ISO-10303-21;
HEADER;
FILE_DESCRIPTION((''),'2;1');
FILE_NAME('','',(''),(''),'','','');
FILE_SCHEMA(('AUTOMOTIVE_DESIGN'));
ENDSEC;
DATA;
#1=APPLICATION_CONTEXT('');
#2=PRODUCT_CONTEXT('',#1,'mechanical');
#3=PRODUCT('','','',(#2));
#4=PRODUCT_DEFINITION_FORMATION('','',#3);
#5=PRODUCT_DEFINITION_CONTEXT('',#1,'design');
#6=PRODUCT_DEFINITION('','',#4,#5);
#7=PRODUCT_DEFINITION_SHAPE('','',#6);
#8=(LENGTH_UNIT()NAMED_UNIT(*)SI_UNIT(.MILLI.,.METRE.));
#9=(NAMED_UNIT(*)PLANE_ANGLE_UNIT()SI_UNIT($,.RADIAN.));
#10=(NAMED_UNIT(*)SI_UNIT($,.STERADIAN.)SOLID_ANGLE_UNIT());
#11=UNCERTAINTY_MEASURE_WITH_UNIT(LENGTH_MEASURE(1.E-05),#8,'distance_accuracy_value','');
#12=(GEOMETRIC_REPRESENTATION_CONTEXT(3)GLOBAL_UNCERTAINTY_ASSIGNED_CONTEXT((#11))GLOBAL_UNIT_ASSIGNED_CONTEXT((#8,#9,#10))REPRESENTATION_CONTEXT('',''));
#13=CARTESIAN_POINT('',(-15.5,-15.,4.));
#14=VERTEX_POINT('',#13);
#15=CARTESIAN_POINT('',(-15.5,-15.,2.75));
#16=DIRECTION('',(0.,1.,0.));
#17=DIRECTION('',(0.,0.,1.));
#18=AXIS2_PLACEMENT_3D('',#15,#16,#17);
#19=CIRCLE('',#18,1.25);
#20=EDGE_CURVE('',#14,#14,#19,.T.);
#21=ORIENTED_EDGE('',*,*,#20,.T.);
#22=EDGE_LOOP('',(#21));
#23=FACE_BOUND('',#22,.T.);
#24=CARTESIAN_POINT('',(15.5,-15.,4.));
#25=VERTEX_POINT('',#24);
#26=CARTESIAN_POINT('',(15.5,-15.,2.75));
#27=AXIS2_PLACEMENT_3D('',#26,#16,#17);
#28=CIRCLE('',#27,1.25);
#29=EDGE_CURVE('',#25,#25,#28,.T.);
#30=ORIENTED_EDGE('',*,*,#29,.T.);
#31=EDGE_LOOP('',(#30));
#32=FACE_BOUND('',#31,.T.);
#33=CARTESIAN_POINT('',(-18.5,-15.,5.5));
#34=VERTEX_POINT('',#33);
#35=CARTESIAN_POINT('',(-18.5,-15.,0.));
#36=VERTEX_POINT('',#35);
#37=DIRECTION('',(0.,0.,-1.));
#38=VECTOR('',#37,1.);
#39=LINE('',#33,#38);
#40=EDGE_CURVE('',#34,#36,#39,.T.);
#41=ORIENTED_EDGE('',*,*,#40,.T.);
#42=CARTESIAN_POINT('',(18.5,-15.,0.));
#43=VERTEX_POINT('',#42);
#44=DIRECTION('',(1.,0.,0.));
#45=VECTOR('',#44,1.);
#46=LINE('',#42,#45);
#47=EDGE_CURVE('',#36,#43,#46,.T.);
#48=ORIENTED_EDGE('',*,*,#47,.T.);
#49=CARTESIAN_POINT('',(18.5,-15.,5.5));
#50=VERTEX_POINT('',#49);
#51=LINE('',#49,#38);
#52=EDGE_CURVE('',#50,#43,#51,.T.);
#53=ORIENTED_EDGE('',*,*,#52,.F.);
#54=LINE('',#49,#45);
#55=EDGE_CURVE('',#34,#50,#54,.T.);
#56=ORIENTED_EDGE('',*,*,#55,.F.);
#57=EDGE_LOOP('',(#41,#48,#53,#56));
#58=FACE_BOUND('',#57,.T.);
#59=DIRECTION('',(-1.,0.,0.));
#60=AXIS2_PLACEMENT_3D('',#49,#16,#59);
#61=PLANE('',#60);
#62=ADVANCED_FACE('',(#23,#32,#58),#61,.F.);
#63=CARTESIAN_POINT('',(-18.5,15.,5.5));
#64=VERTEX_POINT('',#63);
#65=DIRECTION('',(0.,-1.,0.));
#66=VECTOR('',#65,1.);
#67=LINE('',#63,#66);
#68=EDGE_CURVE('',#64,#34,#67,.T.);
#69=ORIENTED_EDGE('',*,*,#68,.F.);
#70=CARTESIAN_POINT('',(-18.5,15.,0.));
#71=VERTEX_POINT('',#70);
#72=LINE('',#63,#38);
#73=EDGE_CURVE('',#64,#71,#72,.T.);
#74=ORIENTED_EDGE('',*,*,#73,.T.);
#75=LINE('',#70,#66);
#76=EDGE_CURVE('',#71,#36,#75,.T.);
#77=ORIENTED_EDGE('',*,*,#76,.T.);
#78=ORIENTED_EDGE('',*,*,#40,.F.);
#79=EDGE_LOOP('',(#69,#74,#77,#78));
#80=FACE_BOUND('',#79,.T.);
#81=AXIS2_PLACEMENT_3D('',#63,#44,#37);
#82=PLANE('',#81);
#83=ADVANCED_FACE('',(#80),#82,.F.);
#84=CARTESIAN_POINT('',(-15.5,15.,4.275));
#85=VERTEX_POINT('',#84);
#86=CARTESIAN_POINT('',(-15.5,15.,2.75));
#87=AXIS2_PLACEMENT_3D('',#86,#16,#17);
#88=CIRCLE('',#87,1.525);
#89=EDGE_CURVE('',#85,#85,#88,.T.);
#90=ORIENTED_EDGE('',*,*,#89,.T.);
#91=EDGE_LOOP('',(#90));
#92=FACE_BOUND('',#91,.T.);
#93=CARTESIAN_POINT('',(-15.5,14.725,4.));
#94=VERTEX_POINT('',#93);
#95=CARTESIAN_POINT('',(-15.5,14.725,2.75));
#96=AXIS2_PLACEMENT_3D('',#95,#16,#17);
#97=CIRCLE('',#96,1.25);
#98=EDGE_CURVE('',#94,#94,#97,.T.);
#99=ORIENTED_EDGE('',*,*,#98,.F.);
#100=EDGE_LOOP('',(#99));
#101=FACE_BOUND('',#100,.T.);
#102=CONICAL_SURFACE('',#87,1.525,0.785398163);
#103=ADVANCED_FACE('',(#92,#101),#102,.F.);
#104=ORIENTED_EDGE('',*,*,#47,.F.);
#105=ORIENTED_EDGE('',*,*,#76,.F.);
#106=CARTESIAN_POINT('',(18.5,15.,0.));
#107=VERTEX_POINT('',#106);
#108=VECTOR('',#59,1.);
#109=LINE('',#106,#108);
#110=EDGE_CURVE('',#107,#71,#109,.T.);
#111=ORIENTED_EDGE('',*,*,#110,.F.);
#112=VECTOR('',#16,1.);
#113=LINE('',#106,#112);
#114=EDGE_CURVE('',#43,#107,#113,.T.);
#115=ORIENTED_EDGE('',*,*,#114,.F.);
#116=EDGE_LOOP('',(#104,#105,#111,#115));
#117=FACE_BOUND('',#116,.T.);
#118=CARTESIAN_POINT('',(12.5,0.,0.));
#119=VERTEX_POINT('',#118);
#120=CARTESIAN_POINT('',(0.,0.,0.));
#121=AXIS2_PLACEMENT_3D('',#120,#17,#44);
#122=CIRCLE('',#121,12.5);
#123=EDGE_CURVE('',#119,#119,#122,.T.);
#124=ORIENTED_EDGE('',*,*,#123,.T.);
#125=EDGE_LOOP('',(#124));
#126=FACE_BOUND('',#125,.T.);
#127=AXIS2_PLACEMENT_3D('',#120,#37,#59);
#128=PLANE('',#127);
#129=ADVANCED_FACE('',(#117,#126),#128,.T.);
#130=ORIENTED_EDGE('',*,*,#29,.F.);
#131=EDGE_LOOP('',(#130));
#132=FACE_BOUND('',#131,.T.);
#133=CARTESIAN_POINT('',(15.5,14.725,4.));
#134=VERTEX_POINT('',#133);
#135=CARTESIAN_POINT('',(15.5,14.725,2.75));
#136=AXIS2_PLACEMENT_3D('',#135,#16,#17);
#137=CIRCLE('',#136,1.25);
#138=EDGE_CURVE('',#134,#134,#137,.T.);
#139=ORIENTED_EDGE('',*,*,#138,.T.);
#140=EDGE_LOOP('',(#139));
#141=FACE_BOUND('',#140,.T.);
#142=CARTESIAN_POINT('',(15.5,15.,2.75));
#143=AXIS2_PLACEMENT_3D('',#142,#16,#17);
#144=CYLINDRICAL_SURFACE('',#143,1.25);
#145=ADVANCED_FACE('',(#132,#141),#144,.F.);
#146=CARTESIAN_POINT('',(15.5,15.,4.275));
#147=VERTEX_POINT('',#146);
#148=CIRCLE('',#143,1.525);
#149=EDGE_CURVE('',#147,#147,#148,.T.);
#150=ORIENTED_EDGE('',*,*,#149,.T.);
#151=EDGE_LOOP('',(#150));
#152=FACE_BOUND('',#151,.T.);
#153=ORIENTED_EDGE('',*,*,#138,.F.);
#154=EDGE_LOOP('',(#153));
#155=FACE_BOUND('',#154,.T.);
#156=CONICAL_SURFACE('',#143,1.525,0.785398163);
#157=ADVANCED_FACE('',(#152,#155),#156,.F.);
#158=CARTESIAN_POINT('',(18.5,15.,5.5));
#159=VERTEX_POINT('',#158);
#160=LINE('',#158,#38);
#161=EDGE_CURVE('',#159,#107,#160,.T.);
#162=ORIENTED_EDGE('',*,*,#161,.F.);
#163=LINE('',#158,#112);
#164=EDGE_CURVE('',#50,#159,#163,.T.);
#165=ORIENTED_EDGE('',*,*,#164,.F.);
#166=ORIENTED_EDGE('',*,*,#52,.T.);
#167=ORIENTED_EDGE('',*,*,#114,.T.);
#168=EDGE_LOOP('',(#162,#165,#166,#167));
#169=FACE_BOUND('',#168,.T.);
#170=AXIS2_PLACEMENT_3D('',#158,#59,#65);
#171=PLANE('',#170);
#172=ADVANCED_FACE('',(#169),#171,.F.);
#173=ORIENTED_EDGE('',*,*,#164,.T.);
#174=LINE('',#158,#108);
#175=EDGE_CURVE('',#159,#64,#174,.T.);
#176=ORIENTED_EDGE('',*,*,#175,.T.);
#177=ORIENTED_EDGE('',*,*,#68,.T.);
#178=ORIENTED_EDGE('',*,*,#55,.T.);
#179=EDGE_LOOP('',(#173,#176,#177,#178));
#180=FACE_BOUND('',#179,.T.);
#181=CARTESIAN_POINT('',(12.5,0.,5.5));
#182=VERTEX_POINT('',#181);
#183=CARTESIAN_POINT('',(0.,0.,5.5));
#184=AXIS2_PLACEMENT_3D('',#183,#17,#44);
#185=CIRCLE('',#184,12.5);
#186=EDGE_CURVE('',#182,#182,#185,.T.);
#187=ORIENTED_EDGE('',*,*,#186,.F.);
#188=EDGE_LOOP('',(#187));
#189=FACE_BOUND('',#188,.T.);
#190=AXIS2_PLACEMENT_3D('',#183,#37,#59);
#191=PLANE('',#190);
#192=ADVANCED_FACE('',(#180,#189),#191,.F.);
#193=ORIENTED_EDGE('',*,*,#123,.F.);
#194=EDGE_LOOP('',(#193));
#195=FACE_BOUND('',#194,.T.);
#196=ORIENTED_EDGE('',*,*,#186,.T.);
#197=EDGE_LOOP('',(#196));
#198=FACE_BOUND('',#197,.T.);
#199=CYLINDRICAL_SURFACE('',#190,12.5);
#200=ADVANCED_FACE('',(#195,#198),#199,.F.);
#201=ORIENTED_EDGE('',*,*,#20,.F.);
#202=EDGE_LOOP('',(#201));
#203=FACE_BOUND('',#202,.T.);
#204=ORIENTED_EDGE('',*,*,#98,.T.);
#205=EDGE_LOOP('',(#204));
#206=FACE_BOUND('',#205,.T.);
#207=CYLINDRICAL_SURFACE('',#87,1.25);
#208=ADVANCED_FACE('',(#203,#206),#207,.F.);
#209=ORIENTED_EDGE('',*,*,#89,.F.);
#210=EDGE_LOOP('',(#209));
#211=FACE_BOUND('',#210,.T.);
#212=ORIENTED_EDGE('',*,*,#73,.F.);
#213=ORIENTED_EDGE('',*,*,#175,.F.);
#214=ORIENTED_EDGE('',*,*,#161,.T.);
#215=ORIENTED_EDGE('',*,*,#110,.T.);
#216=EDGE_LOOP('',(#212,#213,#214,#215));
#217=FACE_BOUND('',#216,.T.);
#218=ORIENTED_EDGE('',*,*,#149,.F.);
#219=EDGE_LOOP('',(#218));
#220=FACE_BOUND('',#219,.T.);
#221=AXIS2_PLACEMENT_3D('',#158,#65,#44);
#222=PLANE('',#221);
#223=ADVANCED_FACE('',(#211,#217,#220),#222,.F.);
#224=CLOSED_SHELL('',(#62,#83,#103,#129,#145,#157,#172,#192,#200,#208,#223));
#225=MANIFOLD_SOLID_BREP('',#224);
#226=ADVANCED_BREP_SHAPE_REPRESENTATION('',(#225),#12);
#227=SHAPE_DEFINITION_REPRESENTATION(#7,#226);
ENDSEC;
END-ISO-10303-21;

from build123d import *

# Parameters (mm, degrees)
SKETCH_1_W                   = 37
SKETCH_1_H                   = 30
SKETCH_1_R                   = 12.5
EXTRUDE_1_DEPTH              = 5.5
HOLE_WIZARD_M3_1_D           = 2.5
HOLE_WIZARD_M3_1_CSINK_D     = 3.05
HOLE_WIZARD_M3_1_CSINK_ANGLE = 90


with BuildPart() as part:
    # 草图1 → 凸台-拉伸1 (new body)
    with BuildSketch(Plane.XY):
        Rectangle(SKETCH_1_W, SKETCH_1_H)
        Circle(SKETCH_1_R, mode=Mode.SUBTRACT)
    extrude(amount=EXTRUDE_1_DEPTH)

    # M3 螺纹孔1 (through all)
    with Locations(Plane(origin=(0, 15, 0), x_dir=(1, 0, 0), z_dir=(0, 1, 0))):
        with Locations((-15.5, -2.75), (15.5, -2.75)):
            CounterSinkHole(HOLE_WIZARD_M3_1_D / 2, HOLE_WIZARD_M3_1_CSINK_D / 2, counter_sink_angle=HOLE_WIZARD_M3_1_CSINK_ANGLE)


solid = part.part
